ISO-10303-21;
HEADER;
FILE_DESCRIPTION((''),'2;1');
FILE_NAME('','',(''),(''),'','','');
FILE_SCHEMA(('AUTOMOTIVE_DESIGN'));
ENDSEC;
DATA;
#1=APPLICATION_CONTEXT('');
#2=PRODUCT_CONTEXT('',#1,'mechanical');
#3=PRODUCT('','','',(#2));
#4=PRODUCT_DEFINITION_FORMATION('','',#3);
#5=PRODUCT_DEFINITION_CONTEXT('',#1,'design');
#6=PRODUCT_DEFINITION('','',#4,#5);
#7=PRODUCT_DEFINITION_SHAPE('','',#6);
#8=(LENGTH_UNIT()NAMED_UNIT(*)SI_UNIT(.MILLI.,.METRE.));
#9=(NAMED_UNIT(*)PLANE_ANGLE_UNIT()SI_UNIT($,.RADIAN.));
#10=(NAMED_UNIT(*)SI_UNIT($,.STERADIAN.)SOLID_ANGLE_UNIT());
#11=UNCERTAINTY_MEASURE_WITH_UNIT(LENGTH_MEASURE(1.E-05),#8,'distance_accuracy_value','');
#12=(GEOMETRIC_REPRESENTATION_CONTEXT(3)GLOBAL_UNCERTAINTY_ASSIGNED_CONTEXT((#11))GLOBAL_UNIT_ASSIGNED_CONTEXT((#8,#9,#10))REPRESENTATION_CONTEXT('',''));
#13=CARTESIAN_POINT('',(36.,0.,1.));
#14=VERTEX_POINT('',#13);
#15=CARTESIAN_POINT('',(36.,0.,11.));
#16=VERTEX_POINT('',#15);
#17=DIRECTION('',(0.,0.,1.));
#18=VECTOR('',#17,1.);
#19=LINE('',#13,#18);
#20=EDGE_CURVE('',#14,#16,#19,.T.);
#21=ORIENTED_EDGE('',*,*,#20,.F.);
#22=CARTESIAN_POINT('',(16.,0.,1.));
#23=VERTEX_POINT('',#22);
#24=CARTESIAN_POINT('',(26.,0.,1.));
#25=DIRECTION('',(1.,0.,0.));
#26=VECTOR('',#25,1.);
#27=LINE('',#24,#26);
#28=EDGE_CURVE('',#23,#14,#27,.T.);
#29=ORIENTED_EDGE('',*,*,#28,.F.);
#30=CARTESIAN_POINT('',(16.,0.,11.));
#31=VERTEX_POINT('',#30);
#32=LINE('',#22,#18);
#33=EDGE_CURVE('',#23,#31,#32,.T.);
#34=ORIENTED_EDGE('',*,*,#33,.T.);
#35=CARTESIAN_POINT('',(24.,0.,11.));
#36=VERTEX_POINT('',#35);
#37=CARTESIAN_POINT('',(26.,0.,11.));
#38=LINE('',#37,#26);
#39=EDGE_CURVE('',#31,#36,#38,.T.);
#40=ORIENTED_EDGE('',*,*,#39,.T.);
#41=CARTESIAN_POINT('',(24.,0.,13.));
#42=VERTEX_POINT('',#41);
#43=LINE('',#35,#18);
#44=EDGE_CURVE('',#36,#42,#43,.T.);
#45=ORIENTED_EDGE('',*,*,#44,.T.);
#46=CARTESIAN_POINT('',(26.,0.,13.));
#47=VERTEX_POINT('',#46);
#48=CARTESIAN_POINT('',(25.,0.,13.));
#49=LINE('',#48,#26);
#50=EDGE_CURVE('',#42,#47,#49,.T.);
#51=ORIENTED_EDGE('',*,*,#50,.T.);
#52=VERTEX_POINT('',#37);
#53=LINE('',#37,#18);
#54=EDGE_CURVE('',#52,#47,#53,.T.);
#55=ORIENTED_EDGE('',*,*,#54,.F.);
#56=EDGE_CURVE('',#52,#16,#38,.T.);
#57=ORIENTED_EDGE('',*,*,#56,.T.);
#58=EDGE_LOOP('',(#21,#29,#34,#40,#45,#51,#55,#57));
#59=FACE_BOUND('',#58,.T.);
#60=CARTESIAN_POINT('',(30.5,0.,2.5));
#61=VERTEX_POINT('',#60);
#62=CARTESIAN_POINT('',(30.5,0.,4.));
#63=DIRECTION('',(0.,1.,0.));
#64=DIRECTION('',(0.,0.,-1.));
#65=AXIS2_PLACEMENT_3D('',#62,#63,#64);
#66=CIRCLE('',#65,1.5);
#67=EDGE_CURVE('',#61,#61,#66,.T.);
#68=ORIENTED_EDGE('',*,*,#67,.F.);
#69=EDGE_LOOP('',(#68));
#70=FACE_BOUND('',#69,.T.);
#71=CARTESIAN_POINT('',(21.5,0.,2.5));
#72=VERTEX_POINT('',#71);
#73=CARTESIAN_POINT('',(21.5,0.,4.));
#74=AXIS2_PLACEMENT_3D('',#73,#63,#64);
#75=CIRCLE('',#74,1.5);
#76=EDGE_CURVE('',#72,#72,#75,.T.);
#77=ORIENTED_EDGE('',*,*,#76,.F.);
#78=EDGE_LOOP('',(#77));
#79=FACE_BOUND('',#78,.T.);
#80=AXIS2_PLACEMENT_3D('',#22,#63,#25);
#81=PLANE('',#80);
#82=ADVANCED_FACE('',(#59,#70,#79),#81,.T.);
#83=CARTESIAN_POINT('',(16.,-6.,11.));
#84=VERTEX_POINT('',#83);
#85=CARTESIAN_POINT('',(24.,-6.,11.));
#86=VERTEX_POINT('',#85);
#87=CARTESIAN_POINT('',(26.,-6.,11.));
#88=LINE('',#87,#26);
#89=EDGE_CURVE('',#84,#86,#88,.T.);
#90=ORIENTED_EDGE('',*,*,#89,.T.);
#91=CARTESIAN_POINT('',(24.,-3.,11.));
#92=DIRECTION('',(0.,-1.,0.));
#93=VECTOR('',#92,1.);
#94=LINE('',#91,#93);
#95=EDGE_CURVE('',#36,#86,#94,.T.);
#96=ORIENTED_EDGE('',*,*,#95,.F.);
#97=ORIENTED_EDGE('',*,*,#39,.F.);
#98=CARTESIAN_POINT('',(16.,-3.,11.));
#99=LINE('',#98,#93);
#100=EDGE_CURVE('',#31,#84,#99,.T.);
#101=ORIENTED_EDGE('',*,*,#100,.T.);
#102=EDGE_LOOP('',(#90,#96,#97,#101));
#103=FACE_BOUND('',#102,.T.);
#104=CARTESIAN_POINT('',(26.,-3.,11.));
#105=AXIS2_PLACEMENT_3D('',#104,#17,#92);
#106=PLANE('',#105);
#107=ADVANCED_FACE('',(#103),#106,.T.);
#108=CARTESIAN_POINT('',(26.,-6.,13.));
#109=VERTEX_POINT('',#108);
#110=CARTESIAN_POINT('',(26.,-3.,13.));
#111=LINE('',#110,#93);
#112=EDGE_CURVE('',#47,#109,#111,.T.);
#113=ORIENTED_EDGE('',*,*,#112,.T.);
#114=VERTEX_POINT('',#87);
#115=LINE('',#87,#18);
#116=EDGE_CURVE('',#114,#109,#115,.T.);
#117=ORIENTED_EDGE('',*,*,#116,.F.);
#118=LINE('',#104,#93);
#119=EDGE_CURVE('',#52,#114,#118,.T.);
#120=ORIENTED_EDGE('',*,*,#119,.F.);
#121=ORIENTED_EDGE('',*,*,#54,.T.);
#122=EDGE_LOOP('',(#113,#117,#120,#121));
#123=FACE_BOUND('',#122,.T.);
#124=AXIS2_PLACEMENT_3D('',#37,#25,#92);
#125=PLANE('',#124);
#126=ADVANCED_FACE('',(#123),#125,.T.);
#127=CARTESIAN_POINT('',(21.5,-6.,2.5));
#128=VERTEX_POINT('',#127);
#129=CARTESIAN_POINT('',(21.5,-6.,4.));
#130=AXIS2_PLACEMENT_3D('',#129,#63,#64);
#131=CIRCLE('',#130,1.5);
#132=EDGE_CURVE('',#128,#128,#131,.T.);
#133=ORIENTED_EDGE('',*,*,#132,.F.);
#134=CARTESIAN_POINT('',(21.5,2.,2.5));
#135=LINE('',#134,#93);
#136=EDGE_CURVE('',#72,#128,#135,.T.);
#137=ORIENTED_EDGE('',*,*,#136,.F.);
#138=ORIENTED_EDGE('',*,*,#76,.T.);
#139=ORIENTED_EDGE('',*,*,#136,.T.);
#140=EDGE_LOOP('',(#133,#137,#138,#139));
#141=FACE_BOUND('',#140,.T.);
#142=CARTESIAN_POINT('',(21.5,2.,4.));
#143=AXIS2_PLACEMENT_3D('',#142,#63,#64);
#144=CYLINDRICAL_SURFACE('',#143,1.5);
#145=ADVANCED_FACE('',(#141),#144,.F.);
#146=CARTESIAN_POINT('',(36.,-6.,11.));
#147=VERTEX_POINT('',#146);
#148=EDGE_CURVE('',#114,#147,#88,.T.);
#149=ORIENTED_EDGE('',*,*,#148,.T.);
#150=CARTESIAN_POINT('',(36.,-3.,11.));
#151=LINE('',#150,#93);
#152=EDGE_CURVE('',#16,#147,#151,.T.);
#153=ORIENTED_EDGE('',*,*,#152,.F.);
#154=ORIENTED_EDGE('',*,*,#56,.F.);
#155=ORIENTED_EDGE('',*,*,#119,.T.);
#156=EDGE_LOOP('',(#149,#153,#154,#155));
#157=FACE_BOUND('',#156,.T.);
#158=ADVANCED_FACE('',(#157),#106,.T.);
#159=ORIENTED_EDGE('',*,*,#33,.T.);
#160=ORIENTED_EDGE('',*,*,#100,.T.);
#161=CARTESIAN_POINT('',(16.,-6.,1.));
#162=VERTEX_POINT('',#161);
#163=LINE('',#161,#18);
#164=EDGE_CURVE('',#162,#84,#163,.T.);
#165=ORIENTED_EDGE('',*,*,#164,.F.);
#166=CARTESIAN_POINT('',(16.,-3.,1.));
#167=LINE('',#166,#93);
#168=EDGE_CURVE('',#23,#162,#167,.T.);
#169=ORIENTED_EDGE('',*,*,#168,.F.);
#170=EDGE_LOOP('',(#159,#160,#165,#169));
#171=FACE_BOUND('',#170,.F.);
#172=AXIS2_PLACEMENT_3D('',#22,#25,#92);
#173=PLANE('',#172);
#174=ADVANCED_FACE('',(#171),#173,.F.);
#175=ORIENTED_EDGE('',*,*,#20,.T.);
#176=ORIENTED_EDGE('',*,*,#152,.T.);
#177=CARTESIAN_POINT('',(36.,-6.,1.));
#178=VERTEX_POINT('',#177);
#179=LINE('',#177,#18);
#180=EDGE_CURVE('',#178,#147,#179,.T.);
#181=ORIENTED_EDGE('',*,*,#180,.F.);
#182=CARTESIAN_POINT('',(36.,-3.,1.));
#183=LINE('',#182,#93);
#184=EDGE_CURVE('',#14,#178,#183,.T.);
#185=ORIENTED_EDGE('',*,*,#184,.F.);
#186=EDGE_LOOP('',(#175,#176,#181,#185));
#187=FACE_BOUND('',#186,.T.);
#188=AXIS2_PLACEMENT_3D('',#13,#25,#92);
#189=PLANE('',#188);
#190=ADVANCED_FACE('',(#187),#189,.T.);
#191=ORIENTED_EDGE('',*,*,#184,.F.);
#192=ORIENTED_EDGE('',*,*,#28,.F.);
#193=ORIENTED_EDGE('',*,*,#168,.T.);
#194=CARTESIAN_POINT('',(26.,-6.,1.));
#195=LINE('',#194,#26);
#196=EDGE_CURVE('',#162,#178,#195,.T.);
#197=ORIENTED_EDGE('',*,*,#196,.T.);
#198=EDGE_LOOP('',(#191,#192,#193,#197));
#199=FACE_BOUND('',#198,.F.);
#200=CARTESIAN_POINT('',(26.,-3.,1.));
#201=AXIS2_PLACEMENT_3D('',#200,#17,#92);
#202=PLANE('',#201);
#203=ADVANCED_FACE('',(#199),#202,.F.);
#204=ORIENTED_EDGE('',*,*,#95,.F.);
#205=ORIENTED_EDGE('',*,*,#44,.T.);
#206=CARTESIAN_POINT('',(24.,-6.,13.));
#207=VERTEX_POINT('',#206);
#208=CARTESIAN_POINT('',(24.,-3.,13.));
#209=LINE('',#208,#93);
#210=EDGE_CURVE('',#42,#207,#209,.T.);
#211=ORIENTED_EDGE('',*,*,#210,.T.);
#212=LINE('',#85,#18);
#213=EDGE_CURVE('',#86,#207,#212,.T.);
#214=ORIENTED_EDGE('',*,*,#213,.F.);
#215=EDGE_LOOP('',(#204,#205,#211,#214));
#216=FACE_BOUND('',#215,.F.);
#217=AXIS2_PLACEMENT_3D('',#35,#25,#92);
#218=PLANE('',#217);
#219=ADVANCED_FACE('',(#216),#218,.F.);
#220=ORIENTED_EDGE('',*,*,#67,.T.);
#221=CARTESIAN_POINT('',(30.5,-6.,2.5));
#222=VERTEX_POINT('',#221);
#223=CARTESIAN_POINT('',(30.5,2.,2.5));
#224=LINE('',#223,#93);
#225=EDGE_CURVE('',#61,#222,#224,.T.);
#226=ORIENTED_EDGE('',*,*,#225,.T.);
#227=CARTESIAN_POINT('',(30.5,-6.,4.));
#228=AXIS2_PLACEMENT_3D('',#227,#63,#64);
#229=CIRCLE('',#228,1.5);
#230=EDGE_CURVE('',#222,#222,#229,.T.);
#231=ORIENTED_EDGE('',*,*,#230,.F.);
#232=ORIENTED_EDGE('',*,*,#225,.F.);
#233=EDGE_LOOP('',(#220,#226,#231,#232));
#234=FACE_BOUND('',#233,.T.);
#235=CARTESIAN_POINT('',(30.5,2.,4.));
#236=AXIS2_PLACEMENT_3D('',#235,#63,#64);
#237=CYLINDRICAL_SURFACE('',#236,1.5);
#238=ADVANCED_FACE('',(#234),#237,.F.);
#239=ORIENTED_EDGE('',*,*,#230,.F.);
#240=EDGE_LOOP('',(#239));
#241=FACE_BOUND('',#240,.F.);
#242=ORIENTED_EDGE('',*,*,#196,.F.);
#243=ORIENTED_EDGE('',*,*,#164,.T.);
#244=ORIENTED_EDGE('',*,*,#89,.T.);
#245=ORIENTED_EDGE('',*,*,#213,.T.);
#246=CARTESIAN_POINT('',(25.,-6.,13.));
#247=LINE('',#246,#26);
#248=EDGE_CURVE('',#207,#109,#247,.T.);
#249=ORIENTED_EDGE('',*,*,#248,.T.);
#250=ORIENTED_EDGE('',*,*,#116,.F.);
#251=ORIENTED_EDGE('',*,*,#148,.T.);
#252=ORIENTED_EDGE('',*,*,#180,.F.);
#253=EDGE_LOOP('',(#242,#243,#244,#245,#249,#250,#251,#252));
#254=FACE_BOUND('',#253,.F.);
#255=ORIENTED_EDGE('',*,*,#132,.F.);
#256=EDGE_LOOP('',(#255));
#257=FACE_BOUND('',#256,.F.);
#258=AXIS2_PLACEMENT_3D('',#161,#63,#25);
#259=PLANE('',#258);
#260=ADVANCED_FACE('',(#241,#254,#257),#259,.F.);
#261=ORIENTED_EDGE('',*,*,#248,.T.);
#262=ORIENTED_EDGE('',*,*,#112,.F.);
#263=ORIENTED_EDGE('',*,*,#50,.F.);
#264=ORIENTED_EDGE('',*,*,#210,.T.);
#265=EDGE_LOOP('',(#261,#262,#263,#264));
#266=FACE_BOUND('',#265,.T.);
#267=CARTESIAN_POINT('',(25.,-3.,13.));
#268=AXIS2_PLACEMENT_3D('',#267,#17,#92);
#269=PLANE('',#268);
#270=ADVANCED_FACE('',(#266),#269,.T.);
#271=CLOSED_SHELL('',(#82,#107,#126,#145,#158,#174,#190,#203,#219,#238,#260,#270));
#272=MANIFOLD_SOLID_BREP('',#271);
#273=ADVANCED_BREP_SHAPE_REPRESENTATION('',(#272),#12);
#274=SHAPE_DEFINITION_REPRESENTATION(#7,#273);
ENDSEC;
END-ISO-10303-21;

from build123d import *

# Parameters (mm, degrees)
CYLINDER036_R           = 1.5
CYLINDER036_DEPTH       = 10
ARRAY001016_Y_COUNT     = 2
ARRAY001016_Y_PITCH     = 9
BOX016_W                = 6
BOX016_H                = 20
BOX016_DEPTH            = 10
BOX017_W                = 6
BOX017_H                = 2
BOX017_DEPTH            = 2
BODY002_PLACEMENT_ANGLE = 90


with BuildPart() as end_stop_hole_array:
    # Cylinder036 → Cylinder036 (new body)
    with BuildSketch(Plane(origin=(-2, 5.5, 3), x_dir=(0, 0, -1), z_dir=(1, 0, 0))):
        Circle(CYLINDER036_R)
    extrude(amount=CYLINDER036_DEPTH)

    # Array001016 Y: end stop hole array ×2


with BuildPart() as end_stop_hole_array_1:
    add(end_stop_hole_array.part)
    with Locations(*[(0, i * ARRAY001016_Y_PITCH, 0) for i in range(1, ARRAY001016_Y_COUNT)]):
        add(end_stop_hole_array.part)


with BuildPart() as end_stop_body_cube:
    # Box016 → Box016 (new body)
    with BuildSketch(Plane.XY):
        with Locations((3, 10)):
            Rectangle(BOX016_W, BOX016_H)
    extrude(amount=BOX016_DEPTH)


with BuildPart() as bottom_end_stop_clone:
    # Box017 → Box017 (new body)
    with BuildSketch(Plane(origin=(0, 8, 10), x_dir=(1, 0, 0), z_dir=(0, 0, 1))):
        with Locations((3, 1)):
            Rectangle(BOX017_W, BOX017_H)
    extrude(amount=BOX017_DEPTH)

    # Fusion014: union end stop body cube
    add(end_stop_body_cube.part)

    # Cut013: cut end stop hole array
    add(end_stop_hole_array_1.part, mode=Mode.SUBTRACT)


with BuildPart() as bottom_end_stop_clone_1:
    # Body002 placement: moved
    add(bottom_end_stop_clone.part.moved(Location((16, 0, 1))).rotate(Axis((16, 0, 1), (0, 0, -1)), BODY002_PLACEMENT_ANGLE))


solid = bottom_end_stop_clone_1.part
